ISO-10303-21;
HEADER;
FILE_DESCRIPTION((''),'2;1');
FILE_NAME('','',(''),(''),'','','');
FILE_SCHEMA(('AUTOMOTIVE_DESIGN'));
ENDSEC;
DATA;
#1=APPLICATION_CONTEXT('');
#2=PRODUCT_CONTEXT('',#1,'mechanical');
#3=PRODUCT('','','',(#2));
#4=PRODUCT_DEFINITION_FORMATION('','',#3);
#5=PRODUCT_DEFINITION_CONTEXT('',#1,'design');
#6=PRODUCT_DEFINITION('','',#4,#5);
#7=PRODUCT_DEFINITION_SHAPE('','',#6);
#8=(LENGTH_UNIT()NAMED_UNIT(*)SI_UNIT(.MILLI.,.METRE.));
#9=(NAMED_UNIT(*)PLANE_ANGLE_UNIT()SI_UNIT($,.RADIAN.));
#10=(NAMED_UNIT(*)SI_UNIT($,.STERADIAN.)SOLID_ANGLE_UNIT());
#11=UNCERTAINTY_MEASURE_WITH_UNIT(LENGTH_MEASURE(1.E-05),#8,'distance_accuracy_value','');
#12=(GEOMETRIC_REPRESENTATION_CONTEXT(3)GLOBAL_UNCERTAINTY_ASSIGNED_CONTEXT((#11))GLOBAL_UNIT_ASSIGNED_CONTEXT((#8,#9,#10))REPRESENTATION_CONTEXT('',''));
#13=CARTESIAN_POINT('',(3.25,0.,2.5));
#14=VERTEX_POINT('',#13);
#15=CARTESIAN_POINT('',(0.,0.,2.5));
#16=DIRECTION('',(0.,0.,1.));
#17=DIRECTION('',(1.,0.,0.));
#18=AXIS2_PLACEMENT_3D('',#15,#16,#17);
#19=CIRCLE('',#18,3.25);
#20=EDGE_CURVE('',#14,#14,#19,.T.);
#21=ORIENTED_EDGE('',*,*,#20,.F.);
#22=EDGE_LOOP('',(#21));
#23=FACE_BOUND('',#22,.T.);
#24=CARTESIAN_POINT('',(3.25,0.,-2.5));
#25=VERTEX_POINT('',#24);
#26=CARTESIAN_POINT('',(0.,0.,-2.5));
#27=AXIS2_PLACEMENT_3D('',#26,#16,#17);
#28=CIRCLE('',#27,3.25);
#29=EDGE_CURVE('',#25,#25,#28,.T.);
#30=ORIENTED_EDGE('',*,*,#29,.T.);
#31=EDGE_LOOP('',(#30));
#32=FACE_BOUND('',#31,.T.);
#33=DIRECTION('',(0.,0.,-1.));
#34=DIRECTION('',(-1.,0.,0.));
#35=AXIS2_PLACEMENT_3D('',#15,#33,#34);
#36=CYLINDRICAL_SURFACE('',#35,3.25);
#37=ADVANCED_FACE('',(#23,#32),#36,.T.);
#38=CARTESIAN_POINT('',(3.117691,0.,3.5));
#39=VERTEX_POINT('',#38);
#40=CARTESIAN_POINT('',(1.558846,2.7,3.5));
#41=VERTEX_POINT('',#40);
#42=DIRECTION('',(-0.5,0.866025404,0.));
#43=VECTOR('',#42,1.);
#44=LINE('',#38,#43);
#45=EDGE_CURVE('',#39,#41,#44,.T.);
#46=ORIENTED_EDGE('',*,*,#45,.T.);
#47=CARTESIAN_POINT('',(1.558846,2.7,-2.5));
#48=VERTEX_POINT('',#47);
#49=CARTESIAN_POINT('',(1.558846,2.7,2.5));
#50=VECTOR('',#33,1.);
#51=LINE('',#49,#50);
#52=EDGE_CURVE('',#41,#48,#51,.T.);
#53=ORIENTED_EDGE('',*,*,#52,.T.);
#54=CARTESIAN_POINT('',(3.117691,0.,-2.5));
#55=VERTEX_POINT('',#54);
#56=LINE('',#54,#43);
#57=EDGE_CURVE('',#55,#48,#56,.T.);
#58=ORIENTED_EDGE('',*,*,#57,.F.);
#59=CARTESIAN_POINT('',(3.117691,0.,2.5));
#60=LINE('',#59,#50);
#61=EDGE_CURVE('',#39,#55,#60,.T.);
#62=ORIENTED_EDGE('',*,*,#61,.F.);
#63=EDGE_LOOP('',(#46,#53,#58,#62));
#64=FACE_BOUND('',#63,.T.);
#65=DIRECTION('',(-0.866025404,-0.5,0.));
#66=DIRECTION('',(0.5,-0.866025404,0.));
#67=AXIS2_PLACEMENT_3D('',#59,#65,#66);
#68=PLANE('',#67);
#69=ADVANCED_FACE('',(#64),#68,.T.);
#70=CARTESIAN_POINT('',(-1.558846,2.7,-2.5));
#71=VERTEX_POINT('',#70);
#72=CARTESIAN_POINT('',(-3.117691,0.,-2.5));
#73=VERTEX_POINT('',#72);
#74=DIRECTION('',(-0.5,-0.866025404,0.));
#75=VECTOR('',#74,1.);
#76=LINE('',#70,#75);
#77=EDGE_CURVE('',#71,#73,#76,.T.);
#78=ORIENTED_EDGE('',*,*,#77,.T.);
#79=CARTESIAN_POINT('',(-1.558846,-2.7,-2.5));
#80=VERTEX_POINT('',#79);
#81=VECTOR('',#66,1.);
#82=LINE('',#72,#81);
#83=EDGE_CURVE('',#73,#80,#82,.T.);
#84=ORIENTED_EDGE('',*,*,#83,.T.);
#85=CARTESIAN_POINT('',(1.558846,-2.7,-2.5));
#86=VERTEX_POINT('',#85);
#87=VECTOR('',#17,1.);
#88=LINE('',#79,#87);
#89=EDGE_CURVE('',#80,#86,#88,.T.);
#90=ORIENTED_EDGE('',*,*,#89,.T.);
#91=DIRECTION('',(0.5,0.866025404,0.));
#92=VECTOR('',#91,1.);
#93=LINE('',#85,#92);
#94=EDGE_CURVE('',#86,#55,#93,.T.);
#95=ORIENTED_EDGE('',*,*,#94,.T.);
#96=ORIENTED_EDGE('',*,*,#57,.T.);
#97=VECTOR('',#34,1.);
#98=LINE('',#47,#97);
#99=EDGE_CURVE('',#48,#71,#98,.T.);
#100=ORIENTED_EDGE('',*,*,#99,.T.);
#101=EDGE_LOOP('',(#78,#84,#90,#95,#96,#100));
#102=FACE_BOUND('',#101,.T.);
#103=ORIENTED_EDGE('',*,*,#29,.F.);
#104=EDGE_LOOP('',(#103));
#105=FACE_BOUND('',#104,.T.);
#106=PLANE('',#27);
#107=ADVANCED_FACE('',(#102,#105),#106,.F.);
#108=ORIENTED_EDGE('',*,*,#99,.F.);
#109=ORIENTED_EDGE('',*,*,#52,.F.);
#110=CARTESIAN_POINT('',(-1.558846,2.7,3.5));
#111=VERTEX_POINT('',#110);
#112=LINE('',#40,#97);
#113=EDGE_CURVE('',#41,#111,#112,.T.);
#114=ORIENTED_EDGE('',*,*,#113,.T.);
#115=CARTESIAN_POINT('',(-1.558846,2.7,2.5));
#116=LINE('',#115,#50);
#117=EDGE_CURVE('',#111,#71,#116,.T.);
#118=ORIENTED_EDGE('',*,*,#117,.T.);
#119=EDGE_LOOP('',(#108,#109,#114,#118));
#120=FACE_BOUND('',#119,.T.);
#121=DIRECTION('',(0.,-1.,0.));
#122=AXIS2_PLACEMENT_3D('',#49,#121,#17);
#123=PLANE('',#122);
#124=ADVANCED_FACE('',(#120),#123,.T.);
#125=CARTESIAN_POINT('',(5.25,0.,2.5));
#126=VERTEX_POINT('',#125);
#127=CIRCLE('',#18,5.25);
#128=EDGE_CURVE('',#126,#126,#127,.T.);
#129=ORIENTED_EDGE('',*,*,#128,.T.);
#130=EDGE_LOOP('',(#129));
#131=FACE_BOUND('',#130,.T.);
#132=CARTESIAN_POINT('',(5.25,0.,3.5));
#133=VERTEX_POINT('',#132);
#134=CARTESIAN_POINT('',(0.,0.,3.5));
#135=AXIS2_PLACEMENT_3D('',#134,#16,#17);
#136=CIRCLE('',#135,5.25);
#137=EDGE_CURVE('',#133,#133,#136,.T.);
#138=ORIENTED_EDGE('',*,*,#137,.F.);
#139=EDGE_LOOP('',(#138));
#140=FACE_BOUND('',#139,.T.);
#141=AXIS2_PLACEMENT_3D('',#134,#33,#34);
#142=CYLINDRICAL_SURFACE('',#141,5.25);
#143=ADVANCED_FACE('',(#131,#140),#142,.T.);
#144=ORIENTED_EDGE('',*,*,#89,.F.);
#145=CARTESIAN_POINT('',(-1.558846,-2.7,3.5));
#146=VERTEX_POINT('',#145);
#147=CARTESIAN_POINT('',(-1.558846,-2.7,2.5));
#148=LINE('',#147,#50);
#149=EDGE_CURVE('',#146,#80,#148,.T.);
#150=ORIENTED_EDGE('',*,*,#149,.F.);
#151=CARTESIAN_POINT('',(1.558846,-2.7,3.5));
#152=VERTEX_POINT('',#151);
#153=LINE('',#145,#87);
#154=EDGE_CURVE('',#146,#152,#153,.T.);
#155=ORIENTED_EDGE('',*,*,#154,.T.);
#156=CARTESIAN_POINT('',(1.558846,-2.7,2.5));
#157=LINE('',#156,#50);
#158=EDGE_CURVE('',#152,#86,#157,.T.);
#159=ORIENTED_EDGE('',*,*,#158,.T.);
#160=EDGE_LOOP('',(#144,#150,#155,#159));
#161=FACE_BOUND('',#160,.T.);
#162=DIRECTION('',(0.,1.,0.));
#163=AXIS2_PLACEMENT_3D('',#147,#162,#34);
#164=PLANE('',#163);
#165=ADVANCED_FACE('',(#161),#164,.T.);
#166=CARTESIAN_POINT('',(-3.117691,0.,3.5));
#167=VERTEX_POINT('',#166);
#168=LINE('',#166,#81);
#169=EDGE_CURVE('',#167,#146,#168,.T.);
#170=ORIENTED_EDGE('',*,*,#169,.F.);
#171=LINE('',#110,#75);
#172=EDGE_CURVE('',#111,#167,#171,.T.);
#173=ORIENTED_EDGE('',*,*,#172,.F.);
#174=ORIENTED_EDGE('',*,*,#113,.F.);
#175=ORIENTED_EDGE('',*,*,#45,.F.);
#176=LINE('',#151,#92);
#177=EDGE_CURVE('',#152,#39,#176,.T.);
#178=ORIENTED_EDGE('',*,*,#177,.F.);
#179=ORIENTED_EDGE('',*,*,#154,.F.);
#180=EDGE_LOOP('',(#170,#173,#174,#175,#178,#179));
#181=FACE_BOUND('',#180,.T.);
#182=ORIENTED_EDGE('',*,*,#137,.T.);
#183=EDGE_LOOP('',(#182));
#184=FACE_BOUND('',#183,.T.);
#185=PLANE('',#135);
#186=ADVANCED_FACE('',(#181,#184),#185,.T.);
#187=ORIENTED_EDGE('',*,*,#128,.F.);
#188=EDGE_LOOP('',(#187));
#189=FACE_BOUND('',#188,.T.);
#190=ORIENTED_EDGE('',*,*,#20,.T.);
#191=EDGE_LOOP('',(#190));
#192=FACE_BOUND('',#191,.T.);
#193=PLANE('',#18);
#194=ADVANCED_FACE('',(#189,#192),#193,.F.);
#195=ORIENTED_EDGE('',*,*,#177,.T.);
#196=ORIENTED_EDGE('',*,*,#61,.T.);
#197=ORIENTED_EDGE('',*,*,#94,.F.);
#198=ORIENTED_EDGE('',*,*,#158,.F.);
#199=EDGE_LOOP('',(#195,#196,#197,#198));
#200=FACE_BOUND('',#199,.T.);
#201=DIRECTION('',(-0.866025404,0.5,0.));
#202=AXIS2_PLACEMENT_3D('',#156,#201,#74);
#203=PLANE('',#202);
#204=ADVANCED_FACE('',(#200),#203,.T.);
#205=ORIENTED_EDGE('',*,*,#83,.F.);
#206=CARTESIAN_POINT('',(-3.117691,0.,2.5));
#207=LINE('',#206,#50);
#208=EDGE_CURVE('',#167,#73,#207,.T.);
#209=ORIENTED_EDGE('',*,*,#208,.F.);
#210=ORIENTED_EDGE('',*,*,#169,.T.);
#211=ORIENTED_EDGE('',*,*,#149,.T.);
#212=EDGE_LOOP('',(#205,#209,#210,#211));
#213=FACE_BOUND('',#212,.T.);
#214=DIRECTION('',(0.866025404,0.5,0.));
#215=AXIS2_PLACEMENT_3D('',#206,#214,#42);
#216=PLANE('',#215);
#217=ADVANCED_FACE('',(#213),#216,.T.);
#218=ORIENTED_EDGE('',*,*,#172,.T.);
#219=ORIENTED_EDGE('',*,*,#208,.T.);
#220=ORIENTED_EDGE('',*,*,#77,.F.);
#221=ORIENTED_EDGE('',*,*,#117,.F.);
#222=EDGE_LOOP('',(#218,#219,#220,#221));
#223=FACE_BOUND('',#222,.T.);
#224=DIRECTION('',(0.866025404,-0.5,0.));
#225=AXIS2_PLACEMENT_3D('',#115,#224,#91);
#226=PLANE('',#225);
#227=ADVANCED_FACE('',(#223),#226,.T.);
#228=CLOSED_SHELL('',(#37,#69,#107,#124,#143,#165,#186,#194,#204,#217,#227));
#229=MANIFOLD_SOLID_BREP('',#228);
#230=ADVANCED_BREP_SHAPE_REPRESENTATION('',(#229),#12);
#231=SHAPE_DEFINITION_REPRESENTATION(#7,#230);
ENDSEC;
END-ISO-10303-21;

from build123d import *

# Parameters (mm, degrees)
SKETCH1_R           = 3.25
BOSS_EXTRUDE1_DEPTH = 2.5
SKETCH2_R           = 5.25
BOSS_EXTRUDE2_DEPTH = 1


with BuildPart() as part:
    # Sketch1 → Boss-Extrude1 (new, symmetric)
    with BuildSketch(Plane.XY):
        Circle(SKETCH1_R)
        Polygon((3.117691454, 0), (1.558845727, 2.7), (-1.558845727, 2.7), (-3.117691454, 0), (-1.558845727, -2.7), (1.558845727, -2.7), align=None, mode=Mode.SUBTRACT)
    extrude(amount=BOSS_EXTRUDE1_DEPTH, both=True)

    # Sketch2 → Boss-Extrude2 (add)
    with BuildSketch(Plane.XY.offset(2.5)):
        Circle(SKETCH2_R)
        Polygon((3.117691454, 0), (1.558845727, 2.7), (-1.558845727, 2.7), (-3.117691454, 0), (-1.558845727, -2.7), (1.558845727, -2.7), align=None, mode=Mode.SUBTRACT)
    extrude(amount=BOSS_EXTRUDE2_DEPTH)


solid = part.part
